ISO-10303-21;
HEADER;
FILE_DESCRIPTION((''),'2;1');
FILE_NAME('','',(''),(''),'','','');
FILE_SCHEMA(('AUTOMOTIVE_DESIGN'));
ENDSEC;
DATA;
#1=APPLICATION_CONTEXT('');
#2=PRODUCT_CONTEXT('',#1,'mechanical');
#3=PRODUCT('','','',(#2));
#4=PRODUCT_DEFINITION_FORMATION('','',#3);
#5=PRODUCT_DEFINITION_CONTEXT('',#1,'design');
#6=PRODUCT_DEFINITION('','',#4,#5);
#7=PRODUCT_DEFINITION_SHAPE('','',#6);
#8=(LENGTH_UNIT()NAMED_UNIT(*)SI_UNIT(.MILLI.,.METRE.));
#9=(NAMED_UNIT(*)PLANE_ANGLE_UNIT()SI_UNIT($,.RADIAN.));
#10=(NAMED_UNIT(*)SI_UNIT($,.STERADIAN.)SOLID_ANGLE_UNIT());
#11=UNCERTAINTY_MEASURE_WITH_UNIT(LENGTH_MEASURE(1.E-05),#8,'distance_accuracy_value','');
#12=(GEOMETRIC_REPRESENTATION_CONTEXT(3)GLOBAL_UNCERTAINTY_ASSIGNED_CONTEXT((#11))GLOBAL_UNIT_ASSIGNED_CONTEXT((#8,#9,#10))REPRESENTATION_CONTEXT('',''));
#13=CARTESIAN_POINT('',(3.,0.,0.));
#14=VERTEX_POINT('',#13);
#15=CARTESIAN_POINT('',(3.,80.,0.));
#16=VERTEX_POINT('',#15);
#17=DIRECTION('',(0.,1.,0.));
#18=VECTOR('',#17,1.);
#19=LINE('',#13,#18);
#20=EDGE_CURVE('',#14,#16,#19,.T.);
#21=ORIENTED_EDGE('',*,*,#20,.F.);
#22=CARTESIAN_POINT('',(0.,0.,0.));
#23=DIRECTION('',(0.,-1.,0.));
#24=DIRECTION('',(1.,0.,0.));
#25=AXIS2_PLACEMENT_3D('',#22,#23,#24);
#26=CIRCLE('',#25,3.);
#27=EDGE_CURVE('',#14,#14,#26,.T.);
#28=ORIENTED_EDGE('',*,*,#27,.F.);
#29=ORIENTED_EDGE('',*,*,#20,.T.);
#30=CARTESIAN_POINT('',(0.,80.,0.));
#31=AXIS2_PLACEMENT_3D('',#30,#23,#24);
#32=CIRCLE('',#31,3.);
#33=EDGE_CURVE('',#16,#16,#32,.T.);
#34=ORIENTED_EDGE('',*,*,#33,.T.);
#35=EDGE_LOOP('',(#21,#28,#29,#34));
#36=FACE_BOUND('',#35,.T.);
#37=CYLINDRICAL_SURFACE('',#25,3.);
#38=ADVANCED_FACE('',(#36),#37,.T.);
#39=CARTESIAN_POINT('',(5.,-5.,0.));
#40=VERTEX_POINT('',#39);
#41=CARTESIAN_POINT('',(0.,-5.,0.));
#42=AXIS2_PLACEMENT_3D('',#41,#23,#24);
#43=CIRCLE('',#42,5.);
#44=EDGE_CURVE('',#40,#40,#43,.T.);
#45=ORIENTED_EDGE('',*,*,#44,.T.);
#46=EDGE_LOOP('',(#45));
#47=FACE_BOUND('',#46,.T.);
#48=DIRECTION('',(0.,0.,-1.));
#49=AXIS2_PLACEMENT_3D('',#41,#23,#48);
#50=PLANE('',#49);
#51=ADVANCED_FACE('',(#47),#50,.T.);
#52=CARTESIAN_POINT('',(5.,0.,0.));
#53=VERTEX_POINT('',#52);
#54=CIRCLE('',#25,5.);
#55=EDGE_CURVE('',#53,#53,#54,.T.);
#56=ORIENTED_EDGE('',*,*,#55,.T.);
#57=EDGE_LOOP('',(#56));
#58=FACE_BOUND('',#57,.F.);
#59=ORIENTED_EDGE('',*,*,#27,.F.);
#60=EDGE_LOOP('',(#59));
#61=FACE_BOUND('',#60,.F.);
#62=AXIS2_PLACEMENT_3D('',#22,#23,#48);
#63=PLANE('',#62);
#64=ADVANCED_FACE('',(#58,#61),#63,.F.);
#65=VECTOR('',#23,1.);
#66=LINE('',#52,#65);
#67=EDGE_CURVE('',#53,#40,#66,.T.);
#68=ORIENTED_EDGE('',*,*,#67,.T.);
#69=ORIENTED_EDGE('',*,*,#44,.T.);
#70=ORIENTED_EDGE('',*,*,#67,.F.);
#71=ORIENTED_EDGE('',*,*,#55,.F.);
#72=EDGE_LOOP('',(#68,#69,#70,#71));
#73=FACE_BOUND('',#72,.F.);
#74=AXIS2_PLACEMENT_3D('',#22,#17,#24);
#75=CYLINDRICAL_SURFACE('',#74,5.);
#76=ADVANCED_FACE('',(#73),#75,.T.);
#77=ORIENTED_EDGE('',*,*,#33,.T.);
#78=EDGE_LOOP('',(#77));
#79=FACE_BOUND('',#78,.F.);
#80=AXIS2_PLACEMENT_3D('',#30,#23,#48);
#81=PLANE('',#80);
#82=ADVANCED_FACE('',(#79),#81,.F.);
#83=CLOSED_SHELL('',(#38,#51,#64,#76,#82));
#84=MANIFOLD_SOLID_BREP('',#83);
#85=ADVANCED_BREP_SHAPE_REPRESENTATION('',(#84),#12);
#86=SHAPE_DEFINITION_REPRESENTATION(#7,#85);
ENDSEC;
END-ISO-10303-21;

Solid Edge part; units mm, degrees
sketch "Sketch1" plane through (0, 0, 0) normal (0, -1, 0) x (1, 0, 0)
  circle A0 centre (0, 0) radius 3
extrude "Protrusion1" add sketch "Sketch1" against normal blind 80
sketch "Sketch2" plane through (0, 0, 0) normal (0, -1, 0) x (1, 0, 0)
  circle A0 centre (0, 0) radius 5
extrude "ExtrudedProtrusion_2" add sketch "Sketch2" along normal blind 5
